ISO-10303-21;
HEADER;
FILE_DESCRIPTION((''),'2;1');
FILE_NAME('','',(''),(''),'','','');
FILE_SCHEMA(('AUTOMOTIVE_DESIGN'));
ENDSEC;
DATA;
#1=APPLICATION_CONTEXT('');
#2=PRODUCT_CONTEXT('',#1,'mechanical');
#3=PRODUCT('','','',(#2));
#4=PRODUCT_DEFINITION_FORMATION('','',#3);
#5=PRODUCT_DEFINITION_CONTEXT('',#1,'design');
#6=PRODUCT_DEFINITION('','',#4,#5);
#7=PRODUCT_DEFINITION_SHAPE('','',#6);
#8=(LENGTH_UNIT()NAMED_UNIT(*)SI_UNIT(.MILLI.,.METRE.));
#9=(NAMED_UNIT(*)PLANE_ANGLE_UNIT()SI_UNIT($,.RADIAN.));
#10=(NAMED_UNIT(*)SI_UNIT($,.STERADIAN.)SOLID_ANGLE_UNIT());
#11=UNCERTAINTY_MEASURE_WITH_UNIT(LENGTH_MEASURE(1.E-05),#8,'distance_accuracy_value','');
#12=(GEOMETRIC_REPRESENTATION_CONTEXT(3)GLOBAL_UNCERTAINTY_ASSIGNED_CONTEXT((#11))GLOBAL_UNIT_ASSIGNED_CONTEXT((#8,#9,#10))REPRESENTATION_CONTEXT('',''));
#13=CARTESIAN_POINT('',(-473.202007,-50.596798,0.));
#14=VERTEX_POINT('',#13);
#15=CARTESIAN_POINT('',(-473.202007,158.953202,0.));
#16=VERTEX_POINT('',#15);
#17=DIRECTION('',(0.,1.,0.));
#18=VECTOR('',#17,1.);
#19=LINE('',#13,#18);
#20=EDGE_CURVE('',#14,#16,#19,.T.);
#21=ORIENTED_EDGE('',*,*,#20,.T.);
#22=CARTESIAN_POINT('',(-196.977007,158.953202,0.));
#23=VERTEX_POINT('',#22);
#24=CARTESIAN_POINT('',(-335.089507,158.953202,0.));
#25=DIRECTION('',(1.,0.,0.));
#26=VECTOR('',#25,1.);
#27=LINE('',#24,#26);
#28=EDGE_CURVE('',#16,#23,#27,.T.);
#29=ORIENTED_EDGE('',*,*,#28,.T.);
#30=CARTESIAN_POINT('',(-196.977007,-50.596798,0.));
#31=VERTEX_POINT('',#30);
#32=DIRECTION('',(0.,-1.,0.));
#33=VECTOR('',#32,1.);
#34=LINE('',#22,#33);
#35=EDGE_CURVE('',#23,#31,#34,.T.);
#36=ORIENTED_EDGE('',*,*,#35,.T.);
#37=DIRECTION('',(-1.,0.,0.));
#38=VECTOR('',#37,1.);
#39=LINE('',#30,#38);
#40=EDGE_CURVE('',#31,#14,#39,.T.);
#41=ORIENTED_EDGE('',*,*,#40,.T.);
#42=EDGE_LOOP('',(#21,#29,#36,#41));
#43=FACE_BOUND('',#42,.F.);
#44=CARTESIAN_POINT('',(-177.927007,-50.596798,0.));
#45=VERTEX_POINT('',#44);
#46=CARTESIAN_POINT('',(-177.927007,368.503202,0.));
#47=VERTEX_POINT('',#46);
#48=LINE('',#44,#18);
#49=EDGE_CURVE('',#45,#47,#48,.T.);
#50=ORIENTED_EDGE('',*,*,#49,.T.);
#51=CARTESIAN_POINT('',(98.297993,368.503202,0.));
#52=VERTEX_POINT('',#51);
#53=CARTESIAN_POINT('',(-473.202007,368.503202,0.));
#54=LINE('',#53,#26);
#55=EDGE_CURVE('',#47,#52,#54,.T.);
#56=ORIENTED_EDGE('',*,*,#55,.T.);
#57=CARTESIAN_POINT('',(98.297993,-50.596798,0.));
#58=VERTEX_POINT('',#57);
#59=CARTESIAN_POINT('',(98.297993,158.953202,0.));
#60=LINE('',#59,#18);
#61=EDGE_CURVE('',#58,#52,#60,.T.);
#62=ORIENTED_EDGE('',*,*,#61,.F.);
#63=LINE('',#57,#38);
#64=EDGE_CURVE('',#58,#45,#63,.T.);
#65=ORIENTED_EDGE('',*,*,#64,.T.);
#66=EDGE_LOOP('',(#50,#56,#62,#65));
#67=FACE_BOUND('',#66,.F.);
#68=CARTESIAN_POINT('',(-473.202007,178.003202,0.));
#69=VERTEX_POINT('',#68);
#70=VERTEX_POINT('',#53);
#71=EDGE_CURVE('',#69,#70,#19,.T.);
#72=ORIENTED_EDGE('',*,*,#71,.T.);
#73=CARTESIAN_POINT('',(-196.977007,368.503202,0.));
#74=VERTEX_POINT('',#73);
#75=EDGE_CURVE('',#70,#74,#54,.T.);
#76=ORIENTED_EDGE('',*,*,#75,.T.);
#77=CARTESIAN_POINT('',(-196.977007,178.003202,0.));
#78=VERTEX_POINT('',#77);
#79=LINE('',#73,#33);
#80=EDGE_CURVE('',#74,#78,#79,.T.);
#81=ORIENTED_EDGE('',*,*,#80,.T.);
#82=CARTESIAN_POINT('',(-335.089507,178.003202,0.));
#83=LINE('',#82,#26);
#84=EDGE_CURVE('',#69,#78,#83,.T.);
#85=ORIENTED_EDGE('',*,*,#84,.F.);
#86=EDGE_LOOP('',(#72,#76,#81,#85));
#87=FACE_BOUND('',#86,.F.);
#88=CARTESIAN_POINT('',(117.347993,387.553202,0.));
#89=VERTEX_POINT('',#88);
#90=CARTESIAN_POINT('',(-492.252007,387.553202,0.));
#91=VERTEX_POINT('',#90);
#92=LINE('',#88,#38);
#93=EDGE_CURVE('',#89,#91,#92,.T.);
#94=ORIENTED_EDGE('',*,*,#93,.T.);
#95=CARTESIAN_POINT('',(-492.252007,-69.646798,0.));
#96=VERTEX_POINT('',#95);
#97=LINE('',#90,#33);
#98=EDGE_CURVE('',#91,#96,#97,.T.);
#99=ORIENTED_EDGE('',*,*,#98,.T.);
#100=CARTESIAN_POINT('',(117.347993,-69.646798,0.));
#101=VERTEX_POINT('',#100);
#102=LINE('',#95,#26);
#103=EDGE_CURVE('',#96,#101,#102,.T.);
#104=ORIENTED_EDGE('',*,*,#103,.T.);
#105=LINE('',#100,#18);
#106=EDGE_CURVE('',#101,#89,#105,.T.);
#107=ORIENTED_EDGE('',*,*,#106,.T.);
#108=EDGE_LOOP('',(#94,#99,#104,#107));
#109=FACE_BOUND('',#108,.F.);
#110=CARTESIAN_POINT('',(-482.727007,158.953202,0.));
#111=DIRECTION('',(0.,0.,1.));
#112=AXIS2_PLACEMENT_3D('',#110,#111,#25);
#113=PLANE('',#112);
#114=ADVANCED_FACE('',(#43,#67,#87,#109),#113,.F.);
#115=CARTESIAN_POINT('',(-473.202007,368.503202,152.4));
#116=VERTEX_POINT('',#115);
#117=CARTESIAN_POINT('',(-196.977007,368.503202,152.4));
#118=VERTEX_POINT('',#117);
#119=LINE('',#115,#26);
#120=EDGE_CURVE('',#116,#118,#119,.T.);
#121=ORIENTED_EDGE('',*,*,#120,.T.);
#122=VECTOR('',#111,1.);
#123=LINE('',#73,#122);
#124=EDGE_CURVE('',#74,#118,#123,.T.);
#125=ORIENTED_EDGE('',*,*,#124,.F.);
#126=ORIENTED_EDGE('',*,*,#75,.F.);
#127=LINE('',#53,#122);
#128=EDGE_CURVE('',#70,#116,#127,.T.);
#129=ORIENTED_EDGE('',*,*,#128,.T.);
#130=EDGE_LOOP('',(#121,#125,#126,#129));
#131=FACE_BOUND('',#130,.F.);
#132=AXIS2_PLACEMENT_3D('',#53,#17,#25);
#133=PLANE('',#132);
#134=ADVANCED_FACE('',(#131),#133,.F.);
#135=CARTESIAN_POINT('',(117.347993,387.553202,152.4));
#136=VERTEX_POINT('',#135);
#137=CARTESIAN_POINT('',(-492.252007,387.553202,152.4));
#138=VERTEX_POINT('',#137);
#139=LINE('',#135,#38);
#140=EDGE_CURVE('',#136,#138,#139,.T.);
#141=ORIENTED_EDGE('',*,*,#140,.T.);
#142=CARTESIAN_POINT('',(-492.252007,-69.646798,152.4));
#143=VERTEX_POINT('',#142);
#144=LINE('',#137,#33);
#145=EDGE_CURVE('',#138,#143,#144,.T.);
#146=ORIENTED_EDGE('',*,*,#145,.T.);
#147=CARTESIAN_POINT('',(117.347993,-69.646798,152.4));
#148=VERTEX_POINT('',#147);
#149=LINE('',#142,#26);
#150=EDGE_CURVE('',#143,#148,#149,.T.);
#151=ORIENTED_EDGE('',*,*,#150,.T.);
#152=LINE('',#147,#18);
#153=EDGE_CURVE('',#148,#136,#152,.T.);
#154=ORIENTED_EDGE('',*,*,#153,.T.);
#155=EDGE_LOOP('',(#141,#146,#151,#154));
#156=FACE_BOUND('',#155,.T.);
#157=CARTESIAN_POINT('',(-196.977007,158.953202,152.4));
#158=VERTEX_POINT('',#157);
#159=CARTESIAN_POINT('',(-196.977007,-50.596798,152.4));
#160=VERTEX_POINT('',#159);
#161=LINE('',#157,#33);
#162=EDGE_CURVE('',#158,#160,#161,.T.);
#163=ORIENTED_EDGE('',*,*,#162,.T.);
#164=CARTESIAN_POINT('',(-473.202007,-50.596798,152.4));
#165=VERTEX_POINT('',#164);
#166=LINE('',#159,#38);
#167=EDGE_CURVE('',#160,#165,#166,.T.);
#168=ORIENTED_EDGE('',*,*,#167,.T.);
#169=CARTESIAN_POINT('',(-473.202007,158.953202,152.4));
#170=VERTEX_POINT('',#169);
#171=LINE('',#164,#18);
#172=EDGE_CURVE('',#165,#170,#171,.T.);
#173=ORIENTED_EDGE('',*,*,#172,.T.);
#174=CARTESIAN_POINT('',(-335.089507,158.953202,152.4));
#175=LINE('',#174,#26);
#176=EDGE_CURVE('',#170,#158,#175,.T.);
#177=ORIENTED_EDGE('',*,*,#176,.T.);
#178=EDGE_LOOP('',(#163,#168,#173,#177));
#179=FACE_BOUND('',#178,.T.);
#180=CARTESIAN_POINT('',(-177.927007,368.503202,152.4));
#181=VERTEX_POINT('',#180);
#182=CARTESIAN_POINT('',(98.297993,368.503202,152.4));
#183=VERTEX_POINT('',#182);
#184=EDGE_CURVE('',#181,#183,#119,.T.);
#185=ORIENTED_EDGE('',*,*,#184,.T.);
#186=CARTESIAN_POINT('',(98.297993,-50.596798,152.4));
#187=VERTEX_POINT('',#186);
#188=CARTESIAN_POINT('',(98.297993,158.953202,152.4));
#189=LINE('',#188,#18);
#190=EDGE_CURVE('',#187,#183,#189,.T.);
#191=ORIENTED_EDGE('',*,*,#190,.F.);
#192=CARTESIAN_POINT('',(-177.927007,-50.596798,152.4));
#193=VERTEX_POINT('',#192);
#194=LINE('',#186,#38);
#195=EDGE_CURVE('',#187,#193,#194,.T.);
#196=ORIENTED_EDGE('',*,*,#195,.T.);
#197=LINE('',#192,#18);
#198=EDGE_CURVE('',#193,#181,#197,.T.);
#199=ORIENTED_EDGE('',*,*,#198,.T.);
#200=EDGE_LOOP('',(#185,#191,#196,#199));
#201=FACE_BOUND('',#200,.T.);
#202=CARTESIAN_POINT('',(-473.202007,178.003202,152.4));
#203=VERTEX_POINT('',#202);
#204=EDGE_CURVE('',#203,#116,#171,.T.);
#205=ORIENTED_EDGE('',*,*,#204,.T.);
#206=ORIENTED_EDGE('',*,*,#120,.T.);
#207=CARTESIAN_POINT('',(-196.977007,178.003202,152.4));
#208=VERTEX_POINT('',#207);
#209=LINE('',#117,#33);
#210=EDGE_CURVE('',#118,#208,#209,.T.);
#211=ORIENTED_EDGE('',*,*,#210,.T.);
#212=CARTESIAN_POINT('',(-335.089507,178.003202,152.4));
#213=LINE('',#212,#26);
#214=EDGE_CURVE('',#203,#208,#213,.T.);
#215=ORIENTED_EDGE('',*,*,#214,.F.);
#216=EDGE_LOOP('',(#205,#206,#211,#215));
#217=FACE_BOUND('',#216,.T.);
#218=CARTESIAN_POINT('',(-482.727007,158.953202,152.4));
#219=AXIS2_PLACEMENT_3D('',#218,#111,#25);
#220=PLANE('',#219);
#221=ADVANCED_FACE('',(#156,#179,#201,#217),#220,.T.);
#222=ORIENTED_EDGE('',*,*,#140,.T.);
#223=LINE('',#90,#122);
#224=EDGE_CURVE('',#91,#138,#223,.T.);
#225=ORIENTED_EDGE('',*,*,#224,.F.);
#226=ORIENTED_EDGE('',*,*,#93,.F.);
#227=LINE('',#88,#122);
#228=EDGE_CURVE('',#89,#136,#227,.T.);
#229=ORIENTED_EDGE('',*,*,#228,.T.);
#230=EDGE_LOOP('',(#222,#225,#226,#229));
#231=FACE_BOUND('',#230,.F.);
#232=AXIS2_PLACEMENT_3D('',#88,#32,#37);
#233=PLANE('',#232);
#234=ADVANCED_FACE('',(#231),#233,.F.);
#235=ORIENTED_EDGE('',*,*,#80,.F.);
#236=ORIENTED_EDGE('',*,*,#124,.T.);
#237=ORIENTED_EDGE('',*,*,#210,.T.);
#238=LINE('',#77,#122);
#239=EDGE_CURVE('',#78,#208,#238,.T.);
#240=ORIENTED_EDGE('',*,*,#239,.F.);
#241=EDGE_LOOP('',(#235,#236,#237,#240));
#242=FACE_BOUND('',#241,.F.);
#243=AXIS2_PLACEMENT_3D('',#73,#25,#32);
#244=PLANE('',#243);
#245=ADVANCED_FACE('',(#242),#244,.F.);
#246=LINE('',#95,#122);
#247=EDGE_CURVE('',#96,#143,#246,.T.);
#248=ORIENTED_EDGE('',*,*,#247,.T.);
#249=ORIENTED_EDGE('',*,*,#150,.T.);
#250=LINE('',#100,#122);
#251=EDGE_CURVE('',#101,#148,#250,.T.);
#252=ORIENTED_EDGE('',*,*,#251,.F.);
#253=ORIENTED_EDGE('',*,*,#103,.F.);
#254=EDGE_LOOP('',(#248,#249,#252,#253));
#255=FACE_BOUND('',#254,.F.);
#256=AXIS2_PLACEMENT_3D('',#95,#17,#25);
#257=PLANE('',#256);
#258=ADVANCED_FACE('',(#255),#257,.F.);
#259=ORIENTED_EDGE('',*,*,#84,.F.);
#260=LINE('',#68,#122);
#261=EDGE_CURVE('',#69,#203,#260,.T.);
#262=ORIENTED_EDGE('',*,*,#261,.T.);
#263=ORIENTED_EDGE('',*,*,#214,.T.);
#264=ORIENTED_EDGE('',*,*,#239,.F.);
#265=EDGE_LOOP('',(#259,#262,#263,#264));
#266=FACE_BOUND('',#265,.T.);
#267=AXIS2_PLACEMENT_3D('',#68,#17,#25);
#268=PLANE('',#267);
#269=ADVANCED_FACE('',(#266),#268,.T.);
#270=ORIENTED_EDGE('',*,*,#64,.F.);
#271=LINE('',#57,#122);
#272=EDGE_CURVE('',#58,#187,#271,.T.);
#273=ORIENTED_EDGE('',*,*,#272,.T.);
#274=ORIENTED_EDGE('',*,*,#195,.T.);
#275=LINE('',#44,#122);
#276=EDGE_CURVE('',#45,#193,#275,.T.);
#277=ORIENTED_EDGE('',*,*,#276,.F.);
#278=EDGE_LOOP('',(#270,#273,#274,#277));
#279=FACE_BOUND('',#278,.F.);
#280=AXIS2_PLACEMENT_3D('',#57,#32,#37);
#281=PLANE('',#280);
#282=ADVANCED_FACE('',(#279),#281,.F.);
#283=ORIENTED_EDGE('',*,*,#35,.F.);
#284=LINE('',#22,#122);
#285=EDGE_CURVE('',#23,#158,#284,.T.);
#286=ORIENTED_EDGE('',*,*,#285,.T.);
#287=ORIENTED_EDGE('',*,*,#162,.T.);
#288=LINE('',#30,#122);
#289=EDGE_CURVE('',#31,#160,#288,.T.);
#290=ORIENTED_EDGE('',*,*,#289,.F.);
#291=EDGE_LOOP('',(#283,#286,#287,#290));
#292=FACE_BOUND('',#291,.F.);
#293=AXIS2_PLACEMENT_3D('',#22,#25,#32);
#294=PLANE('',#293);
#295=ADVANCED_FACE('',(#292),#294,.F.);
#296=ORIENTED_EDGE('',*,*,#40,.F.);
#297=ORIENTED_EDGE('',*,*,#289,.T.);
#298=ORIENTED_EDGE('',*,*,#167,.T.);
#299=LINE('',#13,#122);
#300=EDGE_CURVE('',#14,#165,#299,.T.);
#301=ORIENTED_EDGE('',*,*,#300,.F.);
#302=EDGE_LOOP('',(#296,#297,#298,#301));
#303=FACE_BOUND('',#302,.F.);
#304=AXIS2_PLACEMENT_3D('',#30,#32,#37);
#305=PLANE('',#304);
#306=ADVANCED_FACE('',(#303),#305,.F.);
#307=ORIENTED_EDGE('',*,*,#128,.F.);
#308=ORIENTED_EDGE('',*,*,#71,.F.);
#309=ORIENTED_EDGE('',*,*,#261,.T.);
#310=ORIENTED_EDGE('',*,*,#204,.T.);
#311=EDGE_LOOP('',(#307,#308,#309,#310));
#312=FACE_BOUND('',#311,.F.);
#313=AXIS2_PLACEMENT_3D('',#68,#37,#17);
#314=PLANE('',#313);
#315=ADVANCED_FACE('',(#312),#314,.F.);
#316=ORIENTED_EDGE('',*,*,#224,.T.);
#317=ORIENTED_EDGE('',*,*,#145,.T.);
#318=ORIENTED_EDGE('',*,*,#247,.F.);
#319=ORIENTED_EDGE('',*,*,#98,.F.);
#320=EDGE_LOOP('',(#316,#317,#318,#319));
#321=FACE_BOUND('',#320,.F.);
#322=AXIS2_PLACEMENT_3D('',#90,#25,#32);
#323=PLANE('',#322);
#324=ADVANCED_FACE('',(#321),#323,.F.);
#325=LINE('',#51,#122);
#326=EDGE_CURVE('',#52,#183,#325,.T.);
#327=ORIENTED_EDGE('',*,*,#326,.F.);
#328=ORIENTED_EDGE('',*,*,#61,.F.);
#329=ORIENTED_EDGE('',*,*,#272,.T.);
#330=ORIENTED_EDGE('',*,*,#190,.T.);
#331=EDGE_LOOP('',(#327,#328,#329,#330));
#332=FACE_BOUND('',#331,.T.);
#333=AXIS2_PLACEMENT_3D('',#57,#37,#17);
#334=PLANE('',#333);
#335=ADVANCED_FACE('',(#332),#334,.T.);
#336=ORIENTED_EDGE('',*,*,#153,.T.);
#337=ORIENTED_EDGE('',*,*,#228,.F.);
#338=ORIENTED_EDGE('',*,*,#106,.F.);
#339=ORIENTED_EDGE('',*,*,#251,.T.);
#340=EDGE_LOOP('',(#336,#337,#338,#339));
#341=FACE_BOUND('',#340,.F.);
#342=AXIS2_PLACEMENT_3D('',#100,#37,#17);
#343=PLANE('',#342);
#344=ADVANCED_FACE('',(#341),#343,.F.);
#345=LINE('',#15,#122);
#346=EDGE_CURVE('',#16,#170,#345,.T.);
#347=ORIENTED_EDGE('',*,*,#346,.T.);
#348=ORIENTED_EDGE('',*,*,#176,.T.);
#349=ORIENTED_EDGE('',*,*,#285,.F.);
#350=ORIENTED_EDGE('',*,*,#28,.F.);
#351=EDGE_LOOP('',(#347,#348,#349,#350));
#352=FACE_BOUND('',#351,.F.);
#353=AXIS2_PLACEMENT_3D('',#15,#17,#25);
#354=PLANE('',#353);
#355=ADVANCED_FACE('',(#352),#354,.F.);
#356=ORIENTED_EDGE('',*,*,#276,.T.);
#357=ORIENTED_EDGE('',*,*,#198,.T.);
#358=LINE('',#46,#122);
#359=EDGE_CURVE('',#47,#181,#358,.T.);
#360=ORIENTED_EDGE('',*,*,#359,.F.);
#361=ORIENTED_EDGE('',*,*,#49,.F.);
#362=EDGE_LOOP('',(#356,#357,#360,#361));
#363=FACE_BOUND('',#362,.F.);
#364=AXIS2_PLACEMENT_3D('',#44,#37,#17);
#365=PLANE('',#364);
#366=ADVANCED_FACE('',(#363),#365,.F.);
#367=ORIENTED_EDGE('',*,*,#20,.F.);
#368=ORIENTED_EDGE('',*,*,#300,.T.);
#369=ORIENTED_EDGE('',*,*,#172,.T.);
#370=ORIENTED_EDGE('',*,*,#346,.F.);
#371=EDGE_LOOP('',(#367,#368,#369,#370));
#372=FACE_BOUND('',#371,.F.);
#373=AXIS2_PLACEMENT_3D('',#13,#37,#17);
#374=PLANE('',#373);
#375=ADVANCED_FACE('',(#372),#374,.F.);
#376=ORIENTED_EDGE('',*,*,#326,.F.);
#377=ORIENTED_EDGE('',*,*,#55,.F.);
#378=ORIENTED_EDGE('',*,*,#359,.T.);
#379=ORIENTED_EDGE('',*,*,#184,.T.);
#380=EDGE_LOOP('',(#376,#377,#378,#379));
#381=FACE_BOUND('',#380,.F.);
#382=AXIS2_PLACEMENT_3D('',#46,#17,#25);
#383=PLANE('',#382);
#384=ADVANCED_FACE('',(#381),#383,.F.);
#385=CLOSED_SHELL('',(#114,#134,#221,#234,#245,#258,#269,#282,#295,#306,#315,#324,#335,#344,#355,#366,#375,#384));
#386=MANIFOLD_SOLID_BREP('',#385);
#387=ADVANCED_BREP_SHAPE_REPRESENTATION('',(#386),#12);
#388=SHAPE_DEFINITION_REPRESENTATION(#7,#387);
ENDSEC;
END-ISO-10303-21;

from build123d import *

# Parameters (mm, degrees)
F0_W     = 276.225
F0_H     = 19.05
F0_W_2   = 19.05
F0_H_2   = 419.1
F1_DEPTH = 152.4


with BuildPart() as f1:
    # F0 (on Top) → F1 (new body)
    with BuildSketch(Plane.XY):
        Polygon((-473.202007, 368.503202), (-492.252007, 368.503202), (-492.252007, -50.596798), (-473.202007, -50.596798), (-473.202007, 158.953202), (-473.202007, 178.003202), align=None)
        with Locations((-335.089507, 168.478202)):
            Rectangle(F0_W, F0_H)
        Polygon((117.347993, 387.553202), (-492.252007, 387.553202), (-492.252007, 368.503202), (-473.202007, 368.503202), (-196.977007, 368.503202), (-177.927007, 368.503202), (98.297993, 368.503202), (117.347993, 368.503202), align=None)
        Polygon((-177.927007, 368.503202), (-196.977007, 368.503202), (-196.977007, 178.003202), (-196.977007, 158.953202), (-196.977007, -50.596798), (-177.927007, -50.596798), align=None)
        with Locations((107.822993, 158.953202)):
            Rectangle(F0_W_2, F0_H_2)
        Polygon((-473.202007, -50.596798), (-492.252007, -50.596798), (-492.252007, -69.646798), (117.347993, -69.646798), (117.347993, -50.596798), (98.297993, -50.596798), (-177.927007, -50.596798), (-196.977007, -50.596798), align=None)
    extrude(amount=F1_DEPTH)


solid = f1.part
